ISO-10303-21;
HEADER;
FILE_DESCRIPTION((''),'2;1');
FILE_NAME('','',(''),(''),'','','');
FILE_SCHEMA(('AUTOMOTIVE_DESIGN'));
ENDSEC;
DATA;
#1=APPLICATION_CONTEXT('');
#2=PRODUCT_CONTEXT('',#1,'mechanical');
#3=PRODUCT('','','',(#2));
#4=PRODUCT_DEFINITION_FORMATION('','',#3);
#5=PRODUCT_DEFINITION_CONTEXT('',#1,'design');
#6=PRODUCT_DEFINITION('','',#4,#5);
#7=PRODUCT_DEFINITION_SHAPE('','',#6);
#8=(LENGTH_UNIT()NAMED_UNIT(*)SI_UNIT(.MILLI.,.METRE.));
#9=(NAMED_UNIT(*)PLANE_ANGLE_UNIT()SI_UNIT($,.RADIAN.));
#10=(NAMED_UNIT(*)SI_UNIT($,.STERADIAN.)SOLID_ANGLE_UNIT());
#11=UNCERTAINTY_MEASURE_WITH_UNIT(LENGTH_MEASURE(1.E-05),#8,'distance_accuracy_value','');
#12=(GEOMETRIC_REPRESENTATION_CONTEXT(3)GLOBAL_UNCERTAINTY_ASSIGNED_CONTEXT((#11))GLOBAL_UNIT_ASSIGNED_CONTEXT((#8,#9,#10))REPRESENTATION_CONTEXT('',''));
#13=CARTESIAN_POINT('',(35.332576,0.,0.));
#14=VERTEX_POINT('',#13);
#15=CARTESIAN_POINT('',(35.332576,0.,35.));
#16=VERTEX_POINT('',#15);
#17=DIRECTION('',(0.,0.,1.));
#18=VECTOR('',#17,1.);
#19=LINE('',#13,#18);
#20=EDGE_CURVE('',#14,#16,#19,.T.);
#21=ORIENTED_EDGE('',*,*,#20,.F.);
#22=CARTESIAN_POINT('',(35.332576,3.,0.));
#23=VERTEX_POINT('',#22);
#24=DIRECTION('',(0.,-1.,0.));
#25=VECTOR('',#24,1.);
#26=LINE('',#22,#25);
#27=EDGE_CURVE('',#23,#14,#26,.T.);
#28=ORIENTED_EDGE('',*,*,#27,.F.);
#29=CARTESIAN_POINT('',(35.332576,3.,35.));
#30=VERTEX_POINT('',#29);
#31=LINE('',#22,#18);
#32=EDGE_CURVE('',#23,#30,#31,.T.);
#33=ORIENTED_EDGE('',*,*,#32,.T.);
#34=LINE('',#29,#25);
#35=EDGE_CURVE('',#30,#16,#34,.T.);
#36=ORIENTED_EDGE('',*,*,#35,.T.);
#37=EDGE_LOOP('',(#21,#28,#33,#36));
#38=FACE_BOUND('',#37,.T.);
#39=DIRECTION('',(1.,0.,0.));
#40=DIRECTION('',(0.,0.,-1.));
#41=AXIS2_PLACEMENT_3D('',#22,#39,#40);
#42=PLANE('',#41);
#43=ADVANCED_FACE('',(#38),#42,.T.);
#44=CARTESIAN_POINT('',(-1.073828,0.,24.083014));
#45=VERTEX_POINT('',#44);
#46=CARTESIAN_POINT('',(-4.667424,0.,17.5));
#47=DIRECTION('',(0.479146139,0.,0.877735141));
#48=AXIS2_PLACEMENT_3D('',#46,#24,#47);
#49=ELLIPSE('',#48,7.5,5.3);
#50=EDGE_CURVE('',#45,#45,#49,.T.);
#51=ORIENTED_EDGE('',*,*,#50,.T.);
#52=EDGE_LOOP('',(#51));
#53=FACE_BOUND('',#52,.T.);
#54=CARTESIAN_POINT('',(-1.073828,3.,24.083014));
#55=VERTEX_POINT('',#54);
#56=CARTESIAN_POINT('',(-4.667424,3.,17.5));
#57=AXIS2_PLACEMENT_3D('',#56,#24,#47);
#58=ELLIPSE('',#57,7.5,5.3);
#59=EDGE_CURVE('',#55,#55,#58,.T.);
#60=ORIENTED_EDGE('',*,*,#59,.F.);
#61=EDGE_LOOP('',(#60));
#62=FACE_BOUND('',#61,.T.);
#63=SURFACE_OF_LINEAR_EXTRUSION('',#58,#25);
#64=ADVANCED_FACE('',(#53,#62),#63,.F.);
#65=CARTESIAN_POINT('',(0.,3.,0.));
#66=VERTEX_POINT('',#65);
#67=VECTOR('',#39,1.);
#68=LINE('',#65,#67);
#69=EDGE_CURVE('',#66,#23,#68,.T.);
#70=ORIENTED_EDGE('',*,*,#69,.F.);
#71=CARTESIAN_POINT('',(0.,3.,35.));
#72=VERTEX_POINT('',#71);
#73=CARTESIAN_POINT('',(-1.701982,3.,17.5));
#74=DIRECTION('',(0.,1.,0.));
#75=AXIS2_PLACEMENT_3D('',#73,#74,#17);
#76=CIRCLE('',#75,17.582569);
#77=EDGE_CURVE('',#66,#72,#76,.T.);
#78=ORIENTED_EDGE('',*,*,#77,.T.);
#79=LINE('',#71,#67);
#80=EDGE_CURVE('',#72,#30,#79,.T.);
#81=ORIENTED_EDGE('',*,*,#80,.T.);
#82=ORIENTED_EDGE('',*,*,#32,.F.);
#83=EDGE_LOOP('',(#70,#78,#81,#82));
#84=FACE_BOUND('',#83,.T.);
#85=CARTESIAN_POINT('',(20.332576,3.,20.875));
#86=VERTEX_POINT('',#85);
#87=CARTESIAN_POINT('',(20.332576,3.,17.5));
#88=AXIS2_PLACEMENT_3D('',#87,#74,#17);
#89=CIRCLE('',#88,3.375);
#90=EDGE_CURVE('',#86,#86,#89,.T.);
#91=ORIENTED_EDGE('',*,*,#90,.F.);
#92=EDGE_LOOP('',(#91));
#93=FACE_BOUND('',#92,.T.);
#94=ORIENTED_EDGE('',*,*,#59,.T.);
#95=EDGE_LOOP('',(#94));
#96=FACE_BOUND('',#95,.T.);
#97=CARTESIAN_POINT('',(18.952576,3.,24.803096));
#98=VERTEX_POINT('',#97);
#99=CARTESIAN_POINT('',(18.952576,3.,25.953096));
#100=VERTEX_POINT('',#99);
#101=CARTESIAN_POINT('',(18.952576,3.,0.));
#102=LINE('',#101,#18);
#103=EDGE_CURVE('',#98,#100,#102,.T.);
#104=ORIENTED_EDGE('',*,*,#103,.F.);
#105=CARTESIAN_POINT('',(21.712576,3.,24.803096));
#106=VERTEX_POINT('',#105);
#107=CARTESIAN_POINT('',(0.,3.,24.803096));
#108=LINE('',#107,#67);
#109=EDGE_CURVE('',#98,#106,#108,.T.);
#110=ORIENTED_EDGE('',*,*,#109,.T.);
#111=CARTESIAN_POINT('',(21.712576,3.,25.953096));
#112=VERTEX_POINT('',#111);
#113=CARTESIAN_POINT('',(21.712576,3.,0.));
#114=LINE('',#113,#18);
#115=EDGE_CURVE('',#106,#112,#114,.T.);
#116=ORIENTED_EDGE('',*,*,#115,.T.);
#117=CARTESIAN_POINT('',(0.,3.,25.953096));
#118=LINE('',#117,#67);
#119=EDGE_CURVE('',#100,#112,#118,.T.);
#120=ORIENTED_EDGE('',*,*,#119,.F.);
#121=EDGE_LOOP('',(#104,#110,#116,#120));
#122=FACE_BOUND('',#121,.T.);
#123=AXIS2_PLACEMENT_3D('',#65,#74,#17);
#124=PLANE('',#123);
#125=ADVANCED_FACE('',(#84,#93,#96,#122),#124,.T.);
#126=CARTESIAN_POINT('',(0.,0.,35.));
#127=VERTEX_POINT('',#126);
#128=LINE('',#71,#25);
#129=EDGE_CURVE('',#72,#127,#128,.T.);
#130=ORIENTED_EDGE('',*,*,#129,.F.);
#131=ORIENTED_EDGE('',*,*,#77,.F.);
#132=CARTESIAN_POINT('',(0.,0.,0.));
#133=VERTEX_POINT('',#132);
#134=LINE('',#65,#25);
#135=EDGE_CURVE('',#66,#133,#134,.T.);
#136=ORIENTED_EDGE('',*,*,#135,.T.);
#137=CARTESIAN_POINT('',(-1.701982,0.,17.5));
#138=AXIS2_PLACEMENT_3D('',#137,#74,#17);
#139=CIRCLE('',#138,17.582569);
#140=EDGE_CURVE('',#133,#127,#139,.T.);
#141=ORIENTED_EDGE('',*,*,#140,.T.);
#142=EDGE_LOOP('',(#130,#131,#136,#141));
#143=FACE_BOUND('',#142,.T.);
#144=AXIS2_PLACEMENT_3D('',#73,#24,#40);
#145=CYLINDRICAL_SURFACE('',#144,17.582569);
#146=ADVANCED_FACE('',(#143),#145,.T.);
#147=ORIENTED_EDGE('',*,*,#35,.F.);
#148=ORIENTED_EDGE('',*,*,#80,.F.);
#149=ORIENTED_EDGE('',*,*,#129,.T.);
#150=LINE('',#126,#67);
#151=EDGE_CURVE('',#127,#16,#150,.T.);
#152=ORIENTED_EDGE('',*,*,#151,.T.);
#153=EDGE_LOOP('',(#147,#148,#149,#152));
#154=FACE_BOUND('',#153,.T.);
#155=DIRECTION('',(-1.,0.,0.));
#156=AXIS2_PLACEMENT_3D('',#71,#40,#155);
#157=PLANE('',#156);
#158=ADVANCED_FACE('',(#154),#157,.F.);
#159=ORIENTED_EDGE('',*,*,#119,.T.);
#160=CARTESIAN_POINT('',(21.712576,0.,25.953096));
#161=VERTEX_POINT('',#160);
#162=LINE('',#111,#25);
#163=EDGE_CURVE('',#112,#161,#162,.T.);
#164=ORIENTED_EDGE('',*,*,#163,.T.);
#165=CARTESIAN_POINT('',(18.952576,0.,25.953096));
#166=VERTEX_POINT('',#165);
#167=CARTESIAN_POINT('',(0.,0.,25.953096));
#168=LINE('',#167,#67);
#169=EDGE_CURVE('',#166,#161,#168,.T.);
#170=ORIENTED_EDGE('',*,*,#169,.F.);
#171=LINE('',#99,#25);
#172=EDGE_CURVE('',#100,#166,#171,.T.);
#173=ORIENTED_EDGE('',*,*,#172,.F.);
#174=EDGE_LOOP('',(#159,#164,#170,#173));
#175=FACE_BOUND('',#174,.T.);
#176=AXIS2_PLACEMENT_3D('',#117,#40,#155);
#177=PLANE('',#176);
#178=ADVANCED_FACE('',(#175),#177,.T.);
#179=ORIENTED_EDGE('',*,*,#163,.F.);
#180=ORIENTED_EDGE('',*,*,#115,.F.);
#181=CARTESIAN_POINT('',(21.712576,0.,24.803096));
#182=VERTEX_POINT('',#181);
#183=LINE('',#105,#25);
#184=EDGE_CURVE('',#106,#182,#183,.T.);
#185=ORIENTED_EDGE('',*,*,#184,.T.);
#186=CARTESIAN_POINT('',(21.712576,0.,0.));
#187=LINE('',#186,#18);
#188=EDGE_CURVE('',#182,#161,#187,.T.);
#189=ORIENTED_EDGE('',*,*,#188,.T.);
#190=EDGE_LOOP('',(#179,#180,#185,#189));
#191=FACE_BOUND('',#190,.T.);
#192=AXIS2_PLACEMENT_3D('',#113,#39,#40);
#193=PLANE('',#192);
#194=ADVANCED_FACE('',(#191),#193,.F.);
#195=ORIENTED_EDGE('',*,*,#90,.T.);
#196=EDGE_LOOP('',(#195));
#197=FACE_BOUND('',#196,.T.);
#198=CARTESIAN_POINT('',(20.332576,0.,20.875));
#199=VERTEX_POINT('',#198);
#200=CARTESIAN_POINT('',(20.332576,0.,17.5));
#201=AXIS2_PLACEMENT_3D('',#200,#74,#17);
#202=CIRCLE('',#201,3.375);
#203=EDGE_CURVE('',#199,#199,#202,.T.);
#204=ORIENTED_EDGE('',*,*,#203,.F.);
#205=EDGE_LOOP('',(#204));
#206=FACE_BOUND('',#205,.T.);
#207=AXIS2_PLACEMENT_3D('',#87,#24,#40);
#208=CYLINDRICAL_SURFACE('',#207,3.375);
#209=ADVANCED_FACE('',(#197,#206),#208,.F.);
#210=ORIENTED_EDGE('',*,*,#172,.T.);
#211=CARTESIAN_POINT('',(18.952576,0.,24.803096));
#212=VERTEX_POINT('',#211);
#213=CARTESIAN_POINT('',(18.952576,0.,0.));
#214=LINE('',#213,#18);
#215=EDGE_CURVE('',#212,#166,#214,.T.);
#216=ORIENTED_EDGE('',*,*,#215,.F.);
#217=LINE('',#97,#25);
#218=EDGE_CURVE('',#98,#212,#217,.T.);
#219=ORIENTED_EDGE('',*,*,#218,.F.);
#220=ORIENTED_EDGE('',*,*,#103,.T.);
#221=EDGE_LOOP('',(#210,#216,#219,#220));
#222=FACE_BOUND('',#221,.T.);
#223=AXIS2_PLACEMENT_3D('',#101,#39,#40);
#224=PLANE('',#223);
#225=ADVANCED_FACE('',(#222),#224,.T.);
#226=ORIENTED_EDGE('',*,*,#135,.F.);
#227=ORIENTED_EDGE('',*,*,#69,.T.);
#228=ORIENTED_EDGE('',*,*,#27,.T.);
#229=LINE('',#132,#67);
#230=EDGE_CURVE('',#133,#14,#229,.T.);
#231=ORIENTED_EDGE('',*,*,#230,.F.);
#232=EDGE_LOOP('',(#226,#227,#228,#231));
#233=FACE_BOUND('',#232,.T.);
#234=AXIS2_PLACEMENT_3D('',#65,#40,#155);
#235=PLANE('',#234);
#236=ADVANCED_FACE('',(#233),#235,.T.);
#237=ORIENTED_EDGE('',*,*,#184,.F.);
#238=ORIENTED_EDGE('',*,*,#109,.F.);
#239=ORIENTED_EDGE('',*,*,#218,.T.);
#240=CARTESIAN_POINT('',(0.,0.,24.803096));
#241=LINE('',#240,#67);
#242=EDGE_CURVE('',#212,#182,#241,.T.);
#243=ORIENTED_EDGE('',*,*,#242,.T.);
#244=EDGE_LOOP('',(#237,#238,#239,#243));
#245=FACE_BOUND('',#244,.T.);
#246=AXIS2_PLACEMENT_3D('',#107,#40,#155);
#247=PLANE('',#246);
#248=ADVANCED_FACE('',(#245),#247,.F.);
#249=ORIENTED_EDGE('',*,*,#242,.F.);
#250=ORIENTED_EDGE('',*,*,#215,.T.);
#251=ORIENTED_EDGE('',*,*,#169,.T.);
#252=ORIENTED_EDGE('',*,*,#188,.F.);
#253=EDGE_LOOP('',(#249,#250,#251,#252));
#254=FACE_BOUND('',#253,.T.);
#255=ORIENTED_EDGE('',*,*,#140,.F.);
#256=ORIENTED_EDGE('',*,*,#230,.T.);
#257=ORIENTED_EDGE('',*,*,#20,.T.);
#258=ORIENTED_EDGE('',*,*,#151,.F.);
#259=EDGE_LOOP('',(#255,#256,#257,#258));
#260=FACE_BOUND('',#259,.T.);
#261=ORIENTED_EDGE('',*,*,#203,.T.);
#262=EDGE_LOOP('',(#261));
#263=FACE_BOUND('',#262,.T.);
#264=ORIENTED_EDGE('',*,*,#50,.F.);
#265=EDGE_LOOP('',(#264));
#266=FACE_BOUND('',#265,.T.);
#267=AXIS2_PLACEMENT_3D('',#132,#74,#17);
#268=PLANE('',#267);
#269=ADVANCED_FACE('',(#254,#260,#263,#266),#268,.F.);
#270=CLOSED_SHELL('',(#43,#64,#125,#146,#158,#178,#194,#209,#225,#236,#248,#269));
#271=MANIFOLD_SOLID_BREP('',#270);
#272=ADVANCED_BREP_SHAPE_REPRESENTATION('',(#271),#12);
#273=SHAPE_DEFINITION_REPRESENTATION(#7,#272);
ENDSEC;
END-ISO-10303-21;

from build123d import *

# Parameters (mm, degrees)
SKETCH1_R           = 3.375
SKETCH1_RX          = 7.5
SKETCH1_RY          = 5.3
SKETCH1_W           = 2.76
SKETCH1_H           = 1.15
BOSS_EXTRUDE1_DEPTH = 3


with BuildPart() as part:
    # Sketch1 → Boss-Extrude1 (new body)
    with BuildSketch(Plane(origin=(0, 0, 0), x_dir=(1, 0, 0), z_dir=(0, 1, 0))):
        with BuildLine():
            Line((0, 0), (35.332576055, 0))
            Line((35.332576055, 0), (35.332576055, -35))
            Line((35.332576055, -35), (0, -35))
            ThreePointArc((0, -35), (-19.284551552, -17.5), (0, 0))
        make_face()
        with Locations(Location((20.332576055, -17.5, 0), (0, 0, 270))):
            Circle(SKETCH1_R, mode=Mode.SUBTRACT)
        with Locations(Location((-4.667423945, -17.5), (0, 0, 118.629649839))):
            Ellipse(SKETCH1_RX, SKETCH1_RY, mode=Mode.SUBTRACT)
        with Locations((20.332576055, -25.378095587)):
            Rectangle(SKETCH1_W, SKETCH1_H, mode=Mode.SUBTRACT)
    extrude(amount=BOSS_EXTRUDE1_DEPTH)


solid = part.part
